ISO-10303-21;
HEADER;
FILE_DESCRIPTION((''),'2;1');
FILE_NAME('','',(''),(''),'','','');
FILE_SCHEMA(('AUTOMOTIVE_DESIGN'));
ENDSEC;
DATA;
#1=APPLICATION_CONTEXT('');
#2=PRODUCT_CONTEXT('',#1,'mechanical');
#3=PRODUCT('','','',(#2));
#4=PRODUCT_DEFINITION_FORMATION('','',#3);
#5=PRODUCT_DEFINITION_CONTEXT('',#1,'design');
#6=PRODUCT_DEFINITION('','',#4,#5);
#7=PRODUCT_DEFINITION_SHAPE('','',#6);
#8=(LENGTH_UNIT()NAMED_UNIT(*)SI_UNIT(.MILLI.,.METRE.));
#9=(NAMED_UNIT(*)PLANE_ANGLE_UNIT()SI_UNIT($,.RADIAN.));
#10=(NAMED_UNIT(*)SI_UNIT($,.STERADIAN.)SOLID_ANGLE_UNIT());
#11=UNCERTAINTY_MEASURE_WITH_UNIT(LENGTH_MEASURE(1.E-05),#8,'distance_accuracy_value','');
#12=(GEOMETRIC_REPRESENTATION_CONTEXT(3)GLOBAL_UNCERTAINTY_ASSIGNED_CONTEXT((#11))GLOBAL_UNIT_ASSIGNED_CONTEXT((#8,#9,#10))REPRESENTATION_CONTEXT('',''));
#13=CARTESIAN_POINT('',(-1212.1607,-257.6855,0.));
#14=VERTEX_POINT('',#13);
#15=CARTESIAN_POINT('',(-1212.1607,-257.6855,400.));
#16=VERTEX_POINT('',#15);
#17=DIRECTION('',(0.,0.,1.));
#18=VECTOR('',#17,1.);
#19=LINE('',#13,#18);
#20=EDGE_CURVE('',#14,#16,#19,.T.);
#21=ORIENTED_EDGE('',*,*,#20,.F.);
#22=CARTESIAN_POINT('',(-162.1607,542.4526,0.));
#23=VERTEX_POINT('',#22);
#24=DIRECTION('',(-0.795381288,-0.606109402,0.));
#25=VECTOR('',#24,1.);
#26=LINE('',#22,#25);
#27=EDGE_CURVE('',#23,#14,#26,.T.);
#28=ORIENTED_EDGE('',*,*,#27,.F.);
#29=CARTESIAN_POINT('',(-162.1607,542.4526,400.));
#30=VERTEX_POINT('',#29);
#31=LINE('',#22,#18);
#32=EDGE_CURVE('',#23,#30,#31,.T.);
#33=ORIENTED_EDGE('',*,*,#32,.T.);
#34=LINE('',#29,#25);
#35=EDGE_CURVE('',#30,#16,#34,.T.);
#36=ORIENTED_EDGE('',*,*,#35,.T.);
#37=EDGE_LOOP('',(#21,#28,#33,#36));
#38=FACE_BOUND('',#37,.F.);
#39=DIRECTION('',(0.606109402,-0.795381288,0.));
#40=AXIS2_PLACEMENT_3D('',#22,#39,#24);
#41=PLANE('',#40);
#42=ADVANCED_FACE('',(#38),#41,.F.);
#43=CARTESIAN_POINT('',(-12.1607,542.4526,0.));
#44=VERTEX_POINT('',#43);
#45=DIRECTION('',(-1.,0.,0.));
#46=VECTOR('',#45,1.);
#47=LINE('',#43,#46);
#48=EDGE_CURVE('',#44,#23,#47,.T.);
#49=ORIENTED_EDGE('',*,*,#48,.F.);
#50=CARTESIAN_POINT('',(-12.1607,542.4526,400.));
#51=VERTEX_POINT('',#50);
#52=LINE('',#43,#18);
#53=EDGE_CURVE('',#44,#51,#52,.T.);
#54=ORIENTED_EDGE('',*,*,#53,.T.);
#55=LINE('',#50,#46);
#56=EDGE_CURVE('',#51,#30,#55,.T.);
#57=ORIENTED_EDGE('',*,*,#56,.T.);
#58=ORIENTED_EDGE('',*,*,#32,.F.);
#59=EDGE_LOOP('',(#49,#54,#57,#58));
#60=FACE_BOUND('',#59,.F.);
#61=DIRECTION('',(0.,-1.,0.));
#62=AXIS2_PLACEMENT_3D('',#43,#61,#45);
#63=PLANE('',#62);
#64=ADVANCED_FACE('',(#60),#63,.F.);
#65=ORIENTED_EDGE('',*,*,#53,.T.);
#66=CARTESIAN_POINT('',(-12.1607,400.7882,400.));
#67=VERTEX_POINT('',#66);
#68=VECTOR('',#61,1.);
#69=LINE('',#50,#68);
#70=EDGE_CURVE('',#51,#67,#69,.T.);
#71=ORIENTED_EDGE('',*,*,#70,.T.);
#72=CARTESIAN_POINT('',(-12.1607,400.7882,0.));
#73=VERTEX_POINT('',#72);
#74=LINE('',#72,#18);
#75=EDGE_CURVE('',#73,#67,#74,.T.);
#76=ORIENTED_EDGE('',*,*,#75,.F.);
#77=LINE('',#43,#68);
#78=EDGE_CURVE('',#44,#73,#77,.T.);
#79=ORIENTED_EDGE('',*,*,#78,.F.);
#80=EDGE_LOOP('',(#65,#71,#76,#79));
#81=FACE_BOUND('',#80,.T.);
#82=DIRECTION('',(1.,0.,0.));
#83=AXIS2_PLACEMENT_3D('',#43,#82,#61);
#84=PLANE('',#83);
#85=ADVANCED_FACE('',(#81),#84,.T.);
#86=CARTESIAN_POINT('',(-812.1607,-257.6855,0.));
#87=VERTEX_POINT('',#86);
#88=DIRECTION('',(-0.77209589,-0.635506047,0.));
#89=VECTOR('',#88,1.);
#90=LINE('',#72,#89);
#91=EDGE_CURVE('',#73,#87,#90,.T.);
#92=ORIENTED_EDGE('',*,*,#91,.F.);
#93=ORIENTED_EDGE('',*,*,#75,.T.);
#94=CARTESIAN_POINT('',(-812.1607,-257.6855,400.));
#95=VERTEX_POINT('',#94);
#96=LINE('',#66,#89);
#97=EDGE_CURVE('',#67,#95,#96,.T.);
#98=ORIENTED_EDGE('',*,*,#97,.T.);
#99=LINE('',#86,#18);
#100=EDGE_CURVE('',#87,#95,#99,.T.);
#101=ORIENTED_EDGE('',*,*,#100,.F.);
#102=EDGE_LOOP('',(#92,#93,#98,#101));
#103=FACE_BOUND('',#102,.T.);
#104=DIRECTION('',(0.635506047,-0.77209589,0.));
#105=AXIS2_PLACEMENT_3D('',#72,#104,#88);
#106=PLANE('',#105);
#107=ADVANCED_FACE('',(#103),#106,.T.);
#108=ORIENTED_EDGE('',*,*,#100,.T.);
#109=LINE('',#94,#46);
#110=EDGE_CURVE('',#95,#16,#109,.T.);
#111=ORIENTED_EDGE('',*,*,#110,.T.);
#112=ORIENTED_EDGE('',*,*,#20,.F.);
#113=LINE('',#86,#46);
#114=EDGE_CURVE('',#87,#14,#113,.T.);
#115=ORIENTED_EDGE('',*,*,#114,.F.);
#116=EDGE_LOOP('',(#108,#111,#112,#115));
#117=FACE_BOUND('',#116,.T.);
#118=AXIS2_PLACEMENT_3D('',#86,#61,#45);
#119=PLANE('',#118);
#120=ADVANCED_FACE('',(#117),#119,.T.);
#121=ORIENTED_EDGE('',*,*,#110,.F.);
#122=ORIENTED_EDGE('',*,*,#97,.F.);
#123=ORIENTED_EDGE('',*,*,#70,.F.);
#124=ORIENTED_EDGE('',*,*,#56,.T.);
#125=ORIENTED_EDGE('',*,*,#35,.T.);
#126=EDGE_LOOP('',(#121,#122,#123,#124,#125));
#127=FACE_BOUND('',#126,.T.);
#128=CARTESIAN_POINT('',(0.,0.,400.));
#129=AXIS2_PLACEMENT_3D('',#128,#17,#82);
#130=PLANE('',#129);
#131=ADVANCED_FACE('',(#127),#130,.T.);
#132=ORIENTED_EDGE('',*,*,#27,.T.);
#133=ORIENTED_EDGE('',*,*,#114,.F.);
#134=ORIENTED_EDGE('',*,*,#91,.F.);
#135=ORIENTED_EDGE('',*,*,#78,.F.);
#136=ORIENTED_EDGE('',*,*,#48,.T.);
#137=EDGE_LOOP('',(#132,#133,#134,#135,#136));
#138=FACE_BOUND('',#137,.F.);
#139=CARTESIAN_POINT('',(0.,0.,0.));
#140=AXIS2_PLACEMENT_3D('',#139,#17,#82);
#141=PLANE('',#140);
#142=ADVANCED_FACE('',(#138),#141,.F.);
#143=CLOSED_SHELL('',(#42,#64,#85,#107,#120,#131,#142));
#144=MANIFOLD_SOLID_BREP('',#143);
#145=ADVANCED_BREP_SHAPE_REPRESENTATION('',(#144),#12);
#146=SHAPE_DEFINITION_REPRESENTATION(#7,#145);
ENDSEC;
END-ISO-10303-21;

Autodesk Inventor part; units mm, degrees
ref_plane "YZ Plane" through (0, 0, 0) normal (1, 0, 0) x (0, 1, 0)
ref_plane "XZ Plane" through (0, 0, 0) normal (0, 1, 0) x (-1, 0, 0)
ref_plane "XY Plane" through (0, 0, 0) normal (0, 0, 1) x (1, 0, 0)
sketch "Sketch1" plane through (0, 0, 0) normal (0, 0, 1) x (1, 0, 0)
  line L0 (-12.1607, 542.4526) -> (-262.4067, 542.4526)
  line L1 (-812.1607, -257.6855) -> (-1212.1607, -257.6855)
  line L2 (-812.1607, -559.924) -> (-812.1607, -559.1779)
  line L3 (-12.1607, 542.4526) -> (-12.1607, 400.7882)
  line L4 (-12.1607, 542.4526) -> (129.5037, 542.4526) construction
  line L5 (-12.1607, 400.7882) -> (-812.1607, -257.6855)
  line L6 (-12.1607, 542.4526) -> (-162.1607, 542.4526)
  line L7 (-162.1607, 542.4526) -> (-1212.1607, -257.6855)
  point P0 (0, 0)
  dimension "d2" = 90
  dimension "d5" = 150
extrude "Extrusion3" add sketch "Sketch1" along normal blind 400
properties part number "frame_rib_02" material "Wood (Maple)"
